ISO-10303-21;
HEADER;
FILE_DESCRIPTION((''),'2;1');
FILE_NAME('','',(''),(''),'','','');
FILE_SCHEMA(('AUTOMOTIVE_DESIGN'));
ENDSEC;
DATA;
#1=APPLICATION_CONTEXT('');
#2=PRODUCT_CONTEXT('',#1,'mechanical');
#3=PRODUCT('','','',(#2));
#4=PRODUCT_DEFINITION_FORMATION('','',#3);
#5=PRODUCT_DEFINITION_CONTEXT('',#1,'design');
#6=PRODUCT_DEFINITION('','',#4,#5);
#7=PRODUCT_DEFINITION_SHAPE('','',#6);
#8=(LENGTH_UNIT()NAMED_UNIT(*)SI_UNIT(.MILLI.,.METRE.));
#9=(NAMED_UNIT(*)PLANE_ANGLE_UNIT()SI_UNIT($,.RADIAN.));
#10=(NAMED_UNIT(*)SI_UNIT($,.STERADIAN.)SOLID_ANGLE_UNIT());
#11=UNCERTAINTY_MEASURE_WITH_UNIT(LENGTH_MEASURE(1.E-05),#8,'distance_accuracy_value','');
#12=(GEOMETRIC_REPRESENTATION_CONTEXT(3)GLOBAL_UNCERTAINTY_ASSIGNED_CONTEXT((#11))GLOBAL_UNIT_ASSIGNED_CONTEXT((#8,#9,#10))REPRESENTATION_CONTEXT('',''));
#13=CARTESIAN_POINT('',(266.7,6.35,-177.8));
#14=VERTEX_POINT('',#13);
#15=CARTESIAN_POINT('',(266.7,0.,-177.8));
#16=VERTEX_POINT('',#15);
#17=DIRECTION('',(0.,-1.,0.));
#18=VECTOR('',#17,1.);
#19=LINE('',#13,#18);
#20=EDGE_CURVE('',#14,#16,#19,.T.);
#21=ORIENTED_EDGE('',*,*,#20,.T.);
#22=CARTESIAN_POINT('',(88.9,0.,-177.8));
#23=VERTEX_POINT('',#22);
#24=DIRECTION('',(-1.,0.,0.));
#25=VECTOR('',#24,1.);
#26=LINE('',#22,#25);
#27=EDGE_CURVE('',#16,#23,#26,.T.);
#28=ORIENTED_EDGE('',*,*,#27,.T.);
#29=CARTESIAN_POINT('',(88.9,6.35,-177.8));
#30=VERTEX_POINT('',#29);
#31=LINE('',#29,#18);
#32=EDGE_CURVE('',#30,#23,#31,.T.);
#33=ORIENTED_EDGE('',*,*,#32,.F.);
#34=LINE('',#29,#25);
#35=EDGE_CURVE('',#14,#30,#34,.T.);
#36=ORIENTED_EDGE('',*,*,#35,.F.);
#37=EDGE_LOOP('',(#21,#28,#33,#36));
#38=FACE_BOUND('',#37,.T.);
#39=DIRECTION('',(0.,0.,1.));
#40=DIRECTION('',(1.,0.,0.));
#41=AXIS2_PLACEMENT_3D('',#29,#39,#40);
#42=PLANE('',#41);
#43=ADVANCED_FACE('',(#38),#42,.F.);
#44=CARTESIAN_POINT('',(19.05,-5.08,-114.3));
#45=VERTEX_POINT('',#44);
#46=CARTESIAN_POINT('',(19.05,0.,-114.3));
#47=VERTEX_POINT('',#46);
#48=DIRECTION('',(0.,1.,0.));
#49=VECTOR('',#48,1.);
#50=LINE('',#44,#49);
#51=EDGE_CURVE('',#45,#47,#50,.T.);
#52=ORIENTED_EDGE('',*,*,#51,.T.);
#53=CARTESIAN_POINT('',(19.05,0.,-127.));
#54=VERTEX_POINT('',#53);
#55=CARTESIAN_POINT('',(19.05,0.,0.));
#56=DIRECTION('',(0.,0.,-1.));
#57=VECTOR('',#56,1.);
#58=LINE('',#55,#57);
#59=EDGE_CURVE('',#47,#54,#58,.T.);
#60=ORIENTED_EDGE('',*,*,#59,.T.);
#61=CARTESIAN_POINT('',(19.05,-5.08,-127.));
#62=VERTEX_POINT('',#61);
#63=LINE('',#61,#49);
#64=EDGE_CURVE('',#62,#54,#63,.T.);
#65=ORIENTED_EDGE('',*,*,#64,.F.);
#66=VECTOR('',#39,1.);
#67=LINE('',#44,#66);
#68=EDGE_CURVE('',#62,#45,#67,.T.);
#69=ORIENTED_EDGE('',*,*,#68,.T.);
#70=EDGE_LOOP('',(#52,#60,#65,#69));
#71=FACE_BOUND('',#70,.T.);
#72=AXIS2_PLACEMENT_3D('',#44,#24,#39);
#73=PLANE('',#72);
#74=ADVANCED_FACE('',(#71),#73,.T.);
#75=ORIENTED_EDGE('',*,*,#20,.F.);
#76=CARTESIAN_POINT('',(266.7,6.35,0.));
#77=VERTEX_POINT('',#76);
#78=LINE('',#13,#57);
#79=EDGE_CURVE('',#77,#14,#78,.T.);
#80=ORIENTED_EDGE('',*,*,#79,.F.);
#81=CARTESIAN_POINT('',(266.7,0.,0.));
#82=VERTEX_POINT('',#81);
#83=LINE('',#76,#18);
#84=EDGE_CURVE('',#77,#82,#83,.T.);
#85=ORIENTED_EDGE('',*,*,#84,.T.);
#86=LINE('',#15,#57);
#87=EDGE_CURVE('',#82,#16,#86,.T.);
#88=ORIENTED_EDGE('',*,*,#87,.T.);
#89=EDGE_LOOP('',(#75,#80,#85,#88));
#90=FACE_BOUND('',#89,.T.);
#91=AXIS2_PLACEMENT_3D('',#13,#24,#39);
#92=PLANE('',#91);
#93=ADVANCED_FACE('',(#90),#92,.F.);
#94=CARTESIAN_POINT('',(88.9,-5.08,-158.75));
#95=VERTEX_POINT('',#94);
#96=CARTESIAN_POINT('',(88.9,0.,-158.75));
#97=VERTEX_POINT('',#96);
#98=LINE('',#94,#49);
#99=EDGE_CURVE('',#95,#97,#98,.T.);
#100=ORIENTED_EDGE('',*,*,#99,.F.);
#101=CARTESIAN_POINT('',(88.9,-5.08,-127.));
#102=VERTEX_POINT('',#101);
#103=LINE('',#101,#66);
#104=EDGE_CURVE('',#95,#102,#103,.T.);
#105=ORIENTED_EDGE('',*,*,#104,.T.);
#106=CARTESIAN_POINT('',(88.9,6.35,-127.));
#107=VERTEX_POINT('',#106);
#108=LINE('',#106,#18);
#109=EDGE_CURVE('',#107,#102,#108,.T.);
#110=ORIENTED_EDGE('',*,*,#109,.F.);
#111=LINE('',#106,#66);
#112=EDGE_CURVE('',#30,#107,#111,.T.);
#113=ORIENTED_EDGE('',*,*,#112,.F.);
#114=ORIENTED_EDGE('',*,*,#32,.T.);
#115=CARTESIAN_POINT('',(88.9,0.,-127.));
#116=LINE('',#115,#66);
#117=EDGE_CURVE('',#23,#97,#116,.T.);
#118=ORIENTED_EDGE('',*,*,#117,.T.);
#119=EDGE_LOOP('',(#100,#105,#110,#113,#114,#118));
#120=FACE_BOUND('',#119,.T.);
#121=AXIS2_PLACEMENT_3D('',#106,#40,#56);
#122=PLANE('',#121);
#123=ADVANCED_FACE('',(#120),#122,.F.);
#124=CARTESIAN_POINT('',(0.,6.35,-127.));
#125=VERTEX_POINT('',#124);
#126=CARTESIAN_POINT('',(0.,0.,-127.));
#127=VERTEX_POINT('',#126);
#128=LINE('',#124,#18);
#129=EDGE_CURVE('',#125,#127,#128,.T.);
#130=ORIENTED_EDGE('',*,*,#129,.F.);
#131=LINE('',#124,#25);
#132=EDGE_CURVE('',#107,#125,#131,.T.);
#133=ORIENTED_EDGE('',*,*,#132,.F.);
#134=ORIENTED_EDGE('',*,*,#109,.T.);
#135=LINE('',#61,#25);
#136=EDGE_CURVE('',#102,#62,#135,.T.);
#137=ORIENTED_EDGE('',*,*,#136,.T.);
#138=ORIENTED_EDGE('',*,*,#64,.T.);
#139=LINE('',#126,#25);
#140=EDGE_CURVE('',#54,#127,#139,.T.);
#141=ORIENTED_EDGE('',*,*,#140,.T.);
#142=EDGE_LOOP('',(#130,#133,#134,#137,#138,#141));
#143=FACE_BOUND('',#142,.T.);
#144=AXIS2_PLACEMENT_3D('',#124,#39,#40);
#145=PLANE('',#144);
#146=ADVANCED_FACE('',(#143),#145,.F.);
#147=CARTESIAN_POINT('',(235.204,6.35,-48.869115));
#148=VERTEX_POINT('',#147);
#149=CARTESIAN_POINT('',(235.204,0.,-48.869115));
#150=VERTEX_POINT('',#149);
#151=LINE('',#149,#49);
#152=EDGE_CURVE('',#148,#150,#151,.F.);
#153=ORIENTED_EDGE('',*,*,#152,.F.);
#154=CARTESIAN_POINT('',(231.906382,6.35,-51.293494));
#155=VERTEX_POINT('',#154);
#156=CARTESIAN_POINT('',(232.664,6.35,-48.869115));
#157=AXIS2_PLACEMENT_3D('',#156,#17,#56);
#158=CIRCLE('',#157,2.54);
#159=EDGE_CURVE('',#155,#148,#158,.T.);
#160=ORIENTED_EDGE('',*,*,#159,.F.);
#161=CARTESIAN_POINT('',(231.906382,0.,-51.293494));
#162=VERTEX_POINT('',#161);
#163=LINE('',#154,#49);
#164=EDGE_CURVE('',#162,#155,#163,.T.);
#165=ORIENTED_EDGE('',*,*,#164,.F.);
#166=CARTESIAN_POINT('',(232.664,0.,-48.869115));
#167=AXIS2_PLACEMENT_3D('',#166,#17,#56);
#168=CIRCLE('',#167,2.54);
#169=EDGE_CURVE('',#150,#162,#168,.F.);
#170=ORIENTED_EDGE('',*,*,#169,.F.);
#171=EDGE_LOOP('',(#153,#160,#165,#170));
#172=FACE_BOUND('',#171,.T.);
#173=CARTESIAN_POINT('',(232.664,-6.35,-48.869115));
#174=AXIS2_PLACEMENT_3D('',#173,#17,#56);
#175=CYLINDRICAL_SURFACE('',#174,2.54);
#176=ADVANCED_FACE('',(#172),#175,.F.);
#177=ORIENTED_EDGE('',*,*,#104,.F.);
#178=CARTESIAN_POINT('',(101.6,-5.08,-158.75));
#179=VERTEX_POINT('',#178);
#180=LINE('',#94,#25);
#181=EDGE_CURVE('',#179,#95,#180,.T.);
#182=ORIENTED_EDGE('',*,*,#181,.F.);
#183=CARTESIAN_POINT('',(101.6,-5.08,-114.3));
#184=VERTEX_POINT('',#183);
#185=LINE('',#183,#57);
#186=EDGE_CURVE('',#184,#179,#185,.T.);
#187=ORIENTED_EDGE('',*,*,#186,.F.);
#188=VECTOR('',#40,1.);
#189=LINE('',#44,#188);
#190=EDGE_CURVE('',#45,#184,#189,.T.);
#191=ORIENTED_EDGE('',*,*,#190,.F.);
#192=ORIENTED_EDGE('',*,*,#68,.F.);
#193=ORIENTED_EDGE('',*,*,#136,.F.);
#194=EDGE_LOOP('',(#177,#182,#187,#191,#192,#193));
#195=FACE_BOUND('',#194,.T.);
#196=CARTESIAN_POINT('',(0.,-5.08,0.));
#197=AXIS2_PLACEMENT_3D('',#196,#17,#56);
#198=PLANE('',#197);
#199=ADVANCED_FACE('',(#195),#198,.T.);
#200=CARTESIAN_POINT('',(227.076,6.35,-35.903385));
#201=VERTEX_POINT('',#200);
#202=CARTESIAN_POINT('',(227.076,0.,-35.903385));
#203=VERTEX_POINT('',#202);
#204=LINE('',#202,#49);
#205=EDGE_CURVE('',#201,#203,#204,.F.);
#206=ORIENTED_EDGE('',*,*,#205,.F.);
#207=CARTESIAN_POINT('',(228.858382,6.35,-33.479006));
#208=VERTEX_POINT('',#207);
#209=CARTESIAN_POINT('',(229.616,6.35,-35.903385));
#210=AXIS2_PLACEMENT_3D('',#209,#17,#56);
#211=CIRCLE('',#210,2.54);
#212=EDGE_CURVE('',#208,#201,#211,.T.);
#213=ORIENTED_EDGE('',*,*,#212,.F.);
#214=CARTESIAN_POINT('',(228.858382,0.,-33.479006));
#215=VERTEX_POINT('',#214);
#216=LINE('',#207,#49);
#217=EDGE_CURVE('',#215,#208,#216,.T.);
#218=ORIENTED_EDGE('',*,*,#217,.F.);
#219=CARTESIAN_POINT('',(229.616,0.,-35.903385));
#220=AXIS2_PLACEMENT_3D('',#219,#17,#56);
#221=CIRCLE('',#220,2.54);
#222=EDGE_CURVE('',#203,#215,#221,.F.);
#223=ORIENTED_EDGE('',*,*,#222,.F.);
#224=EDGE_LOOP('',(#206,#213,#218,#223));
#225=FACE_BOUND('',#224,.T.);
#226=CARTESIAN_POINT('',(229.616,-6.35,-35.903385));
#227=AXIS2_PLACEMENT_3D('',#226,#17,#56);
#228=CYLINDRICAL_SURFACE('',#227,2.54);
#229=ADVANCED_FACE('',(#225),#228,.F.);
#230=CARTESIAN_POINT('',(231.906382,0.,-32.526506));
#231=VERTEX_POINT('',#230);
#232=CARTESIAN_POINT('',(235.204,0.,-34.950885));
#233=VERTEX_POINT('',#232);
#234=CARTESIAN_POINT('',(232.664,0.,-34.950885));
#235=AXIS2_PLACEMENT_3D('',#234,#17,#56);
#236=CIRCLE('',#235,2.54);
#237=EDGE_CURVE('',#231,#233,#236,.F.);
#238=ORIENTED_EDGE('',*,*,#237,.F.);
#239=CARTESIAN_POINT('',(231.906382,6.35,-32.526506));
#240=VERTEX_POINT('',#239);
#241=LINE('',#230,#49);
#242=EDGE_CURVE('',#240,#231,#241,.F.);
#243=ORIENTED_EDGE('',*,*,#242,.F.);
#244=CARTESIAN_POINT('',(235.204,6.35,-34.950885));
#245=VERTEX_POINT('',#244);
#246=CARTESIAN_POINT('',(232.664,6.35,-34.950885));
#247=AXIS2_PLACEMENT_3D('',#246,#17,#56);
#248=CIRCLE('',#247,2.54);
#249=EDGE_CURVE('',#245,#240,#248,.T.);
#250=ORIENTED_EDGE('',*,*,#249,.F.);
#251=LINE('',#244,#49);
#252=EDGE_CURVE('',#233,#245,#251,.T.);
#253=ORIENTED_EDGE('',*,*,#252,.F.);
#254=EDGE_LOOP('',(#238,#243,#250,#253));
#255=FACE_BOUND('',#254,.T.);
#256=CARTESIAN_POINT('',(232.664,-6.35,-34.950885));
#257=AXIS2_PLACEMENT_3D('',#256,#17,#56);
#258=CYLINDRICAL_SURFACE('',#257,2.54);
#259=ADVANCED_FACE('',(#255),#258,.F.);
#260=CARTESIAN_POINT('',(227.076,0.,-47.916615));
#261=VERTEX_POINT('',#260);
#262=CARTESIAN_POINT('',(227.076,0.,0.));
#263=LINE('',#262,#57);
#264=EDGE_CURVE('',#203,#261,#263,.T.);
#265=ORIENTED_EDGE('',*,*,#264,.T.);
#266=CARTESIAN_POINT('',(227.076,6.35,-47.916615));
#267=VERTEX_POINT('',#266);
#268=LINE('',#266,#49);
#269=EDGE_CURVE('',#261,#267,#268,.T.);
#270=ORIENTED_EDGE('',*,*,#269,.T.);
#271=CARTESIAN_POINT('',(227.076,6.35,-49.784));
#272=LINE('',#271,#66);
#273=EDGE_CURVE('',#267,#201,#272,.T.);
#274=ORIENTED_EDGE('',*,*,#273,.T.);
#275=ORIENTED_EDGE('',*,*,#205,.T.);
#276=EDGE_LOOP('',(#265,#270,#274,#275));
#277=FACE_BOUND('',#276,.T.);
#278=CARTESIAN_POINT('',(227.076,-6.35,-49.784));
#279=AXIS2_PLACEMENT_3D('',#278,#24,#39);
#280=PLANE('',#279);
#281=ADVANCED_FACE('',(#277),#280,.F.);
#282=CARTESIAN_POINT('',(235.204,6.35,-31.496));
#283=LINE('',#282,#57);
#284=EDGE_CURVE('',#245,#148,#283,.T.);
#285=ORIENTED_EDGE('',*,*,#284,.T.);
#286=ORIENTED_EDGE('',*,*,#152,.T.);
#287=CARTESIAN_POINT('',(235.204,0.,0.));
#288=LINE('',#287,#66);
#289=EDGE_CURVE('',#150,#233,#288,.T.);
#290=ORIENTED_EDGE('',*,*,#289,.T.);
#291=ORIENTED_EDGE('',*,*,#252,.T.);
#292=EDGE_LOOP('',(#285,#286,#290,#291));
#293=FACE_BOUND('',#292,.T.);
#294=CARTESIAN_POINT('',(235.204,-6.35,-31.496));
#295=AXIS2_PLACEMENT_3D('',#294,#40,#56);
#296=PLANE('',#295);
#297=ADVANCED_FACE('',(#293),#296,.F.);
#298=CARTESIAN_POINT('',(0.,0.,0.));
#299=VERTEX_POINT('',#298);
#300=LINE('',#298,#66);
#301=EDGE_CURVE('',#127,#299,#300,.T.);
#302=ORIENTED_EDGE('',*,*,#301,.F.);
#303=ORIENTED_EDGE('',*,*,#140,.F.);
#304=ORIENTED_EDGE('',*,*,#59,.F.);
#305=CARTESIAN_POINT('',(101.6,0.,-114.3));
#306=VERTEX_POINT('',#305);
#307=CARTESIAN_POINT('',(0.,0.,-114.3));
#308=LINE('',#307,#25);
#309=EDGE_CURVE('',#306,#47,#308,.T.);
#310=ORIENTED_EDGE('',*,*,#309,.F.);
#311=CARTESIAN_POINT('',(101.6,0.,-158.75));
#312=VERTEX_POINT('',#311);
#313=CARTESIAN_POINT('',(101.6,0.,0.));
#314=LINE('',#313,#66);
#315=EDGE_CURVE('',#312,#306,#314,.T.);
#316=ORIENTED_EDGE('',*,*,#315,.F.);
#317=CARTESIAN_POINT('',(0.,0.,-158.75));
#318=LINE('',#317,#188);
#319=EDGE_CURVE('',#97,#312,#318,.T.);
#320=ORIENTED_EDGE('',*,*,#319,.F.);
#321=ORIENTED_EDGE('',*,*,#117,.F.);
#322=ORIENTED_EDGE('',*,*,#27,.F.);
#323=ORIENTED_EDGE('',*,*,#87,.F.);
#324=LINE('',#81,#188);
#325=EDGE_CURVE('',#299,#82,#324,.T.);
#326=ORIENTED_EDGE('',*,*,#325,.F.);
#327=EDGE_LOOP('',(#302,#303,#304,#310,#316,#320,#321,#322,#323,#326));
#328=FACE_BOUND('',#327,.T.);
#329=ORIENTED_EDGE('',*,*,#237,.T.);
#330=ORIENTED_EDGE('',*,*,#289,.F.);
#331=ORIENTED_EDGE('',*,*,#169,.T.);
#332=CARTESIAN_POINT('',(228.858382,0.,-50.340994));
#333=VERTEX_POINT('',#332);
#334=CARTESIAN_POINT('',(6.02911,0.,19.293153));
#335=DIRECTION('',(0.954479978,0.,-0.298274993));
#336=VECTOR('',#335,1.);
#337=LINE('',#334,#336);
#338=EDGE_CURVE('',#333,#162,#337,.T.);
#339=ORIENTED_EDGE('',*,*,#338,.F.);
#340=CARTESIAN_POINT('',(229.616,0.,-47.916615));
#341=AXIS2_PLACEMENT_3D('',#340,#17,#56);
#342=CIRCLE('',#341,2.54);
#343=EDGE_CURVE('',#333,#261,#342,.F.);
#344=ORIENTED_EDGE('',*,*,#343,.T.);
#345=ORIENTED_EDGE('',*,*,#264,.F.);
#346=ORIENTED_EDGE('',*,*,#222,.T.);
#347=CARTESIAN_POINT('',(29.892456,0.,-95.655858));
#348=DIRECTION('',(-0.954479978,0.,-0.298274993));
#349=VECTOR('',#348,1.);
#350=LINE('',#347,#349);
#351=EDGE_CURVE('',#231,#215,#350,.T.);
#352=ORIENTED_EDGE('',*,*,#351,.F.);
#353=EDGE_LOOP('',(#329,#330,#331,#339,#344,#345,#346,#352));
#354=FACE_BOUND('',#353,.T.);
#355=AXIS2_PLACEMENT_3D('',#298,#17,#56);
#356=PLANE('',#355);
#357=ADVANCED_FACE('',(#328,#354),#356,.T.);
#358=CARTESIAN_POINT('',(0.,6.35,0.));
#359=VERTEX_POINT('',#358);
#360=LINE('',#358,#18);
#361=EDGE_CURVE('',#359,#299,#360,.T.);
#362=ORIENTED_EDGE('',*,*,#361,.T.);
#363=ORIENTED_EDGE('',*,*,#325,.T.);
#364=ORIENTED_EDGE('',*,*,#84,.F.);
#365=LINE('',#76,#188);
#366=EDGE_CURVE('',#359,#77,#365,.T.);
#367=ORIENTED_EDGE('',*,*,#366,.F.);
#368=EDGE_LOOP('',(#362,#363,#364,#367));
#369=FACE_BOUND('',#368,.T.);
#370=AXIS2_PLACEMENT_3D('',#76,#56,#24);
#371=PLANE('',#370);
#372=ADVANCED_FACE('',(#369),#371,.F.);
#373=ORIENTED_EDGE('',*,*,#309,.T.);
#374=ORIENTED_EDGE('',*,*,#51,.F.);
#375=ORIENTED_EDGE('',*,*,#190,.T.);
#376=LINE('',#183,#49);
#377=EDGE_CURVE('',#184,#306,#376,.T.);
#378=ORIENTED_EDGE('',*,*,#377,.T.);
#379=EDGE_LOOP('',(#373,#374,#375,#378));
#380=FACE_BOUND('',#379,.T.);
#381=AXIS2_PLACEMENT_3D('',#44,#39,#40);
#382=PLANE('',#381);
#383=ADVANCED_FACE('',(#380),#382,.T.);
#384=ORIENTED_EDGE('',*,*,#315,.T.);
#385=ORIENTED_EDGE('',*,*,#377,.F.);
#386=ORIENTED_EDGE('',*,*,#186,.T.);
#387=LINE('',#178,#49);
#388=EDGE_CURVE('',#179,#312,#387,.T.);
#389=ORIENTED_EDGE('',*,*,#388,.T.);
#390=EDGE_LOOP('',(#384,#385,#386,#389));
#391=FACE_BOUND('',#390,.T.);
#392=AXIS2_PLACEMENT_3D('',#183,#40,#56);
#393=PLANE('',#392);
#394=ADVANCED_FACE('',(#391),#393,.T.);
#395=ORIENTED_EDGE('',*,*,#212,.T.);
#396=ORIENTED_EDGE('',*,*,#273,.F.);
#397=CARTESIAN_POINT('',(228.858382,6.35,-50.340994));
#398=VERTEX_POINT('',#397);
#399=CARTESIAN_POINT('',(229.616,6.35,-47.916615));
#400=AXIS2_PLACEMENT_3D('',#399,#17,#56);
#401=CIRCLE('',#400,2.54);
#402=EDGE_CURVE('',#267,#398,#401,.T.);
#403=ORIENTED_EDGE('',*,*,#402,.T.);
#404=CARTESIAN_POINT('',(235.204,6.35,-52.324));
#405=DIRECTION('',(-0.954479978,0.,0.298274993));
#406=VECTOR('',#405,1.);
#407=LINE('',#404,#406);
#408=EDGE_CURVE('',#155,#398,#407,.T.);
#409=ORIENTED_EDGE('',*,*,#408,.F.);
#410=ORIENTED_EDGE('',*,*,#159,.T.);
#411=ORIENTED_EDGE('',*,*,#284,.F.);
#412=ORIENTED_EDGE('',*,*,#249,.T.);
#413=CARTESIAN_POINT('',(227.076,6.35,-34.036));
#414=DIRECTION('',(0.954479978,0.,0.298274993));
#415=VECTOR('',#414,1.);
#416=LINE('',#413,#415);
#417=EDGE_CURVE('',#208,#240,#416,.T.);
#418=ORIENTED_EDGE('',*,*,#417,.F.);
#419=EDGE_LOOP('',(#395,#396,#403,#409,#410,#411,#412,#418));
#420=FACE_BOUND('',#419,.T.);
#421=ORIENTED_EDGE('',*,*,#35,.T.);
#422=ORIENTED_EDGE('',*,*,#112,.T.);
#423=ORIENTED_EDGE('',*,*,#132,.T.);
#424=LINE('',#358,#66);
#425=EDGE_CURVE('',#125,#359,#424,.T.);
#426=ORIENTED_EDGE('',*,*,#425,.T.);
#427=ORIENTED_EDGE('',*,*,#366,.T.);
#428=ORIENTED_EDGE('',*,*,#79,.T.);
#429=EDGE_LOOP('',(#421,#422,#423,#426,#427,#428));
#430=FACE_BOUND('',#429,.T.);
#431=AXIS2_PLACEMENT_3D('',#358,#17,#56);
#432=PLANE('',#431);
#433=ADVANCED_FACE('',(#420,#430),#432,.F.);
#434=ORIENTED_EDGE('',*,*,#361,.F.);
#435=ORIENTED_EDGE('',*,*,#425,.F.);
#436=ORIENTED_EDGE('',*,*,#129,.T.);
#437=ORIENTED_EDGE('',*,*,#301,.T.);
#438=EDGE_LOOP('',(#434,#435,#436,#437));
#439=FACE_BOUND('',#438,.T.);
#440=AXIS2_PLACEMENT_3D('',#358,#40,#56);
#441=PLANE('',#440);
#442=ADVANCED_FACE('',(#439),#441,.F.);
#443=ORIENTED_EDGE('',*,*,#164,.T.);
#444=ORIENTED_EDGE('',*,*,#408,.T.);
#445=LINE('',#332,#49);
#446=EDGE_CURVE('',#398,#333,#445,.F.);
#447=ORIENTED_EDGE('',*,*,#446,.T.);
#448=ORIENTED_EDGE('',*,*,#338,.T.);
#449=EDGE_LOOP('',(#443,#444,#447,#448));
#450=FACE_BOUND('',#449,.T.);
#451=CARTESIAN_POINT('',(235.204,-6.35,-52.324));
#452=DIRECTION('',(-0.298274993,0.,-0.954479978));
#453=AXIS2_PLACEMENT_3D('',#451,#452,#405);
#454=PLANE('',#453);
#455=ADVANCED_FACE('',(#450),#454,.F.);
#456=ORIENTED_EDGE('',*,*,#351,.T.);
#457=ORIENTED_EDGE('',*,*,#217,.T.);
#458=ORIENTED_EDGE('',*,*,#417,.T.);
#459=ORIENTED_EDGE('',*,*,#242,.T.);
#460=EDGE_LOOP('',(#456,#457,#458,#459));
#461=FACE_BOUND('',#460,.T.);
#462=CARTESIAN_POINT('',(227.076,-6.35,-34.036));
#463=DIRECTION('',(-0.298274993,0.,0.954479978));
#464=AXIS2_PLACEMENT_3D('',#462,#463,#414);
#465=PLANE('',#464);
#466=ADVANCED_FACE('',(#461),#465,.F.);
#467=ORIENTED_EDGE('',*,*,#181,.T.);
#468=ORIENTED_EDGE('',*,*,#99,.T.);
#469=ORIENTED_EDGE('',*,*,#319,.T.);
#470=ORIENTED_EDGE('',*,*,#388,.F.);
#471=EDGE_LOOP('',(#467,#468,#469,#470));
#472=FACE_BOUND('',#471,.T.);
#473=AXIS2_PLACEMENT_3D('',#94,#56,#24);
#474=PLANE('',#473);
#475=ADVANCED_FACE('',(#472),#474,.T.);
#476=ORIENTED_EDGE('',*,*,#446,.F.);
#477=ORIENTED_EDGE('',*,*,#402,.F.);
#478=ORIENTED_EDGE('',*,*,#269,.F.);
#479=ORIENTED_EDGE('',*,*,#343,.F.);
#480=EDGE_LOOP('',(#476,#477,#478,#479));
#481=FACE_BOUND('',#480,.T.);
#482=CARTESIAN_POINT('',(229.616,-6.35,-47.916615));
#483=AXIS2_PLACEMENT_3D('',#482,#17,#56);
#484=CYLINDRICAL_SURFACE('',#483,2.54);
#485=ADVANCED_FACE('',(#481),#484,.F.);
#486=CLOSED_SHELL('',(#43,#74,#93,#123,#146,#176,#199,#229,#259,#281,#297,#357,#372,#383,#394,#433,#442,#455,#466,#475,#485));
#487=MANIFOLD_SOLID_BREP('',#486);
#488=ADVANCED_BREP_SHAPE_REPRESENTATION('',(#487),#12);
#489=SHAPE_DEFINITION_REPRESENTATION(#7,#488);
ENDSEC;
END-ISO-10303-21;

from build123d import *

# Parameters (mm, degrees)
BOSS_EXTRUDE1_DEPTH = 6.35
BOSS_EXTRUDE2_DEPTH = 11.43
CUT_EXTRUDE1_DEPTH  = 12.7
FILLET1_R           = 2.54


with BuildPart() as part:
    # Sketch1 → Boss-Extrude1 (new body)
    with BuildSketch(Plane(origin=(0, 0, 0), x_dir=(1, 0, 0), z_dir=(0, 1, 0))):
        Polygon((0, 0), (0, 127), (88.9, 127), (88.9, 177.8), (266.7, 177.8), (266.7, 0), align=None)
    extrude(amount=BOSS_EXTRUDE1_DEPTH)

    # Sketch2 → Boss-Extrude2 (add)
    with BuildSketch(Plane(origin=(0, 6.35, 0), x_dir=(1, 0, 0), z_dir=(0, 1, 0))):
        Polygon((19.05, 114.3), (101.6, 114.3), (101.6, 158.75), (88.9, 158.75), (88.9, 127), (19.05, 127), align=None)
    extrude(amount=-BOSS_EXTRUDE2_DEPTH)

    # Sketch3 → Cut-Extrude1 (cut)
    with BuildSketch(Plane(origin=(0, 6.35, 0), x_dir=(1, 0, 0), z_dir=(0, 1, 0))):
        Polygon((235.204, 31.496), (235.204, 52.324), (227.076, 49.784), (227.076, 34.036), align=None)
    extrude(amount=-CUT_EXTRUDE1_DEPTH, mode=Mode.SUBTRACT)

    # Fillet1
    fillet1_edges = [part.edges().sort_by_distance(p)[0] for p in [
        (235.204, 3.175, -31.496),
        (227.076, 3.175, -34.036),
        (227.076, 3.175, -49.784),
        (235.204, 3.175, -52.324),
    ]]
    fillet(fillet1_edges, radius=FILLET1_R)


solid = part.part
